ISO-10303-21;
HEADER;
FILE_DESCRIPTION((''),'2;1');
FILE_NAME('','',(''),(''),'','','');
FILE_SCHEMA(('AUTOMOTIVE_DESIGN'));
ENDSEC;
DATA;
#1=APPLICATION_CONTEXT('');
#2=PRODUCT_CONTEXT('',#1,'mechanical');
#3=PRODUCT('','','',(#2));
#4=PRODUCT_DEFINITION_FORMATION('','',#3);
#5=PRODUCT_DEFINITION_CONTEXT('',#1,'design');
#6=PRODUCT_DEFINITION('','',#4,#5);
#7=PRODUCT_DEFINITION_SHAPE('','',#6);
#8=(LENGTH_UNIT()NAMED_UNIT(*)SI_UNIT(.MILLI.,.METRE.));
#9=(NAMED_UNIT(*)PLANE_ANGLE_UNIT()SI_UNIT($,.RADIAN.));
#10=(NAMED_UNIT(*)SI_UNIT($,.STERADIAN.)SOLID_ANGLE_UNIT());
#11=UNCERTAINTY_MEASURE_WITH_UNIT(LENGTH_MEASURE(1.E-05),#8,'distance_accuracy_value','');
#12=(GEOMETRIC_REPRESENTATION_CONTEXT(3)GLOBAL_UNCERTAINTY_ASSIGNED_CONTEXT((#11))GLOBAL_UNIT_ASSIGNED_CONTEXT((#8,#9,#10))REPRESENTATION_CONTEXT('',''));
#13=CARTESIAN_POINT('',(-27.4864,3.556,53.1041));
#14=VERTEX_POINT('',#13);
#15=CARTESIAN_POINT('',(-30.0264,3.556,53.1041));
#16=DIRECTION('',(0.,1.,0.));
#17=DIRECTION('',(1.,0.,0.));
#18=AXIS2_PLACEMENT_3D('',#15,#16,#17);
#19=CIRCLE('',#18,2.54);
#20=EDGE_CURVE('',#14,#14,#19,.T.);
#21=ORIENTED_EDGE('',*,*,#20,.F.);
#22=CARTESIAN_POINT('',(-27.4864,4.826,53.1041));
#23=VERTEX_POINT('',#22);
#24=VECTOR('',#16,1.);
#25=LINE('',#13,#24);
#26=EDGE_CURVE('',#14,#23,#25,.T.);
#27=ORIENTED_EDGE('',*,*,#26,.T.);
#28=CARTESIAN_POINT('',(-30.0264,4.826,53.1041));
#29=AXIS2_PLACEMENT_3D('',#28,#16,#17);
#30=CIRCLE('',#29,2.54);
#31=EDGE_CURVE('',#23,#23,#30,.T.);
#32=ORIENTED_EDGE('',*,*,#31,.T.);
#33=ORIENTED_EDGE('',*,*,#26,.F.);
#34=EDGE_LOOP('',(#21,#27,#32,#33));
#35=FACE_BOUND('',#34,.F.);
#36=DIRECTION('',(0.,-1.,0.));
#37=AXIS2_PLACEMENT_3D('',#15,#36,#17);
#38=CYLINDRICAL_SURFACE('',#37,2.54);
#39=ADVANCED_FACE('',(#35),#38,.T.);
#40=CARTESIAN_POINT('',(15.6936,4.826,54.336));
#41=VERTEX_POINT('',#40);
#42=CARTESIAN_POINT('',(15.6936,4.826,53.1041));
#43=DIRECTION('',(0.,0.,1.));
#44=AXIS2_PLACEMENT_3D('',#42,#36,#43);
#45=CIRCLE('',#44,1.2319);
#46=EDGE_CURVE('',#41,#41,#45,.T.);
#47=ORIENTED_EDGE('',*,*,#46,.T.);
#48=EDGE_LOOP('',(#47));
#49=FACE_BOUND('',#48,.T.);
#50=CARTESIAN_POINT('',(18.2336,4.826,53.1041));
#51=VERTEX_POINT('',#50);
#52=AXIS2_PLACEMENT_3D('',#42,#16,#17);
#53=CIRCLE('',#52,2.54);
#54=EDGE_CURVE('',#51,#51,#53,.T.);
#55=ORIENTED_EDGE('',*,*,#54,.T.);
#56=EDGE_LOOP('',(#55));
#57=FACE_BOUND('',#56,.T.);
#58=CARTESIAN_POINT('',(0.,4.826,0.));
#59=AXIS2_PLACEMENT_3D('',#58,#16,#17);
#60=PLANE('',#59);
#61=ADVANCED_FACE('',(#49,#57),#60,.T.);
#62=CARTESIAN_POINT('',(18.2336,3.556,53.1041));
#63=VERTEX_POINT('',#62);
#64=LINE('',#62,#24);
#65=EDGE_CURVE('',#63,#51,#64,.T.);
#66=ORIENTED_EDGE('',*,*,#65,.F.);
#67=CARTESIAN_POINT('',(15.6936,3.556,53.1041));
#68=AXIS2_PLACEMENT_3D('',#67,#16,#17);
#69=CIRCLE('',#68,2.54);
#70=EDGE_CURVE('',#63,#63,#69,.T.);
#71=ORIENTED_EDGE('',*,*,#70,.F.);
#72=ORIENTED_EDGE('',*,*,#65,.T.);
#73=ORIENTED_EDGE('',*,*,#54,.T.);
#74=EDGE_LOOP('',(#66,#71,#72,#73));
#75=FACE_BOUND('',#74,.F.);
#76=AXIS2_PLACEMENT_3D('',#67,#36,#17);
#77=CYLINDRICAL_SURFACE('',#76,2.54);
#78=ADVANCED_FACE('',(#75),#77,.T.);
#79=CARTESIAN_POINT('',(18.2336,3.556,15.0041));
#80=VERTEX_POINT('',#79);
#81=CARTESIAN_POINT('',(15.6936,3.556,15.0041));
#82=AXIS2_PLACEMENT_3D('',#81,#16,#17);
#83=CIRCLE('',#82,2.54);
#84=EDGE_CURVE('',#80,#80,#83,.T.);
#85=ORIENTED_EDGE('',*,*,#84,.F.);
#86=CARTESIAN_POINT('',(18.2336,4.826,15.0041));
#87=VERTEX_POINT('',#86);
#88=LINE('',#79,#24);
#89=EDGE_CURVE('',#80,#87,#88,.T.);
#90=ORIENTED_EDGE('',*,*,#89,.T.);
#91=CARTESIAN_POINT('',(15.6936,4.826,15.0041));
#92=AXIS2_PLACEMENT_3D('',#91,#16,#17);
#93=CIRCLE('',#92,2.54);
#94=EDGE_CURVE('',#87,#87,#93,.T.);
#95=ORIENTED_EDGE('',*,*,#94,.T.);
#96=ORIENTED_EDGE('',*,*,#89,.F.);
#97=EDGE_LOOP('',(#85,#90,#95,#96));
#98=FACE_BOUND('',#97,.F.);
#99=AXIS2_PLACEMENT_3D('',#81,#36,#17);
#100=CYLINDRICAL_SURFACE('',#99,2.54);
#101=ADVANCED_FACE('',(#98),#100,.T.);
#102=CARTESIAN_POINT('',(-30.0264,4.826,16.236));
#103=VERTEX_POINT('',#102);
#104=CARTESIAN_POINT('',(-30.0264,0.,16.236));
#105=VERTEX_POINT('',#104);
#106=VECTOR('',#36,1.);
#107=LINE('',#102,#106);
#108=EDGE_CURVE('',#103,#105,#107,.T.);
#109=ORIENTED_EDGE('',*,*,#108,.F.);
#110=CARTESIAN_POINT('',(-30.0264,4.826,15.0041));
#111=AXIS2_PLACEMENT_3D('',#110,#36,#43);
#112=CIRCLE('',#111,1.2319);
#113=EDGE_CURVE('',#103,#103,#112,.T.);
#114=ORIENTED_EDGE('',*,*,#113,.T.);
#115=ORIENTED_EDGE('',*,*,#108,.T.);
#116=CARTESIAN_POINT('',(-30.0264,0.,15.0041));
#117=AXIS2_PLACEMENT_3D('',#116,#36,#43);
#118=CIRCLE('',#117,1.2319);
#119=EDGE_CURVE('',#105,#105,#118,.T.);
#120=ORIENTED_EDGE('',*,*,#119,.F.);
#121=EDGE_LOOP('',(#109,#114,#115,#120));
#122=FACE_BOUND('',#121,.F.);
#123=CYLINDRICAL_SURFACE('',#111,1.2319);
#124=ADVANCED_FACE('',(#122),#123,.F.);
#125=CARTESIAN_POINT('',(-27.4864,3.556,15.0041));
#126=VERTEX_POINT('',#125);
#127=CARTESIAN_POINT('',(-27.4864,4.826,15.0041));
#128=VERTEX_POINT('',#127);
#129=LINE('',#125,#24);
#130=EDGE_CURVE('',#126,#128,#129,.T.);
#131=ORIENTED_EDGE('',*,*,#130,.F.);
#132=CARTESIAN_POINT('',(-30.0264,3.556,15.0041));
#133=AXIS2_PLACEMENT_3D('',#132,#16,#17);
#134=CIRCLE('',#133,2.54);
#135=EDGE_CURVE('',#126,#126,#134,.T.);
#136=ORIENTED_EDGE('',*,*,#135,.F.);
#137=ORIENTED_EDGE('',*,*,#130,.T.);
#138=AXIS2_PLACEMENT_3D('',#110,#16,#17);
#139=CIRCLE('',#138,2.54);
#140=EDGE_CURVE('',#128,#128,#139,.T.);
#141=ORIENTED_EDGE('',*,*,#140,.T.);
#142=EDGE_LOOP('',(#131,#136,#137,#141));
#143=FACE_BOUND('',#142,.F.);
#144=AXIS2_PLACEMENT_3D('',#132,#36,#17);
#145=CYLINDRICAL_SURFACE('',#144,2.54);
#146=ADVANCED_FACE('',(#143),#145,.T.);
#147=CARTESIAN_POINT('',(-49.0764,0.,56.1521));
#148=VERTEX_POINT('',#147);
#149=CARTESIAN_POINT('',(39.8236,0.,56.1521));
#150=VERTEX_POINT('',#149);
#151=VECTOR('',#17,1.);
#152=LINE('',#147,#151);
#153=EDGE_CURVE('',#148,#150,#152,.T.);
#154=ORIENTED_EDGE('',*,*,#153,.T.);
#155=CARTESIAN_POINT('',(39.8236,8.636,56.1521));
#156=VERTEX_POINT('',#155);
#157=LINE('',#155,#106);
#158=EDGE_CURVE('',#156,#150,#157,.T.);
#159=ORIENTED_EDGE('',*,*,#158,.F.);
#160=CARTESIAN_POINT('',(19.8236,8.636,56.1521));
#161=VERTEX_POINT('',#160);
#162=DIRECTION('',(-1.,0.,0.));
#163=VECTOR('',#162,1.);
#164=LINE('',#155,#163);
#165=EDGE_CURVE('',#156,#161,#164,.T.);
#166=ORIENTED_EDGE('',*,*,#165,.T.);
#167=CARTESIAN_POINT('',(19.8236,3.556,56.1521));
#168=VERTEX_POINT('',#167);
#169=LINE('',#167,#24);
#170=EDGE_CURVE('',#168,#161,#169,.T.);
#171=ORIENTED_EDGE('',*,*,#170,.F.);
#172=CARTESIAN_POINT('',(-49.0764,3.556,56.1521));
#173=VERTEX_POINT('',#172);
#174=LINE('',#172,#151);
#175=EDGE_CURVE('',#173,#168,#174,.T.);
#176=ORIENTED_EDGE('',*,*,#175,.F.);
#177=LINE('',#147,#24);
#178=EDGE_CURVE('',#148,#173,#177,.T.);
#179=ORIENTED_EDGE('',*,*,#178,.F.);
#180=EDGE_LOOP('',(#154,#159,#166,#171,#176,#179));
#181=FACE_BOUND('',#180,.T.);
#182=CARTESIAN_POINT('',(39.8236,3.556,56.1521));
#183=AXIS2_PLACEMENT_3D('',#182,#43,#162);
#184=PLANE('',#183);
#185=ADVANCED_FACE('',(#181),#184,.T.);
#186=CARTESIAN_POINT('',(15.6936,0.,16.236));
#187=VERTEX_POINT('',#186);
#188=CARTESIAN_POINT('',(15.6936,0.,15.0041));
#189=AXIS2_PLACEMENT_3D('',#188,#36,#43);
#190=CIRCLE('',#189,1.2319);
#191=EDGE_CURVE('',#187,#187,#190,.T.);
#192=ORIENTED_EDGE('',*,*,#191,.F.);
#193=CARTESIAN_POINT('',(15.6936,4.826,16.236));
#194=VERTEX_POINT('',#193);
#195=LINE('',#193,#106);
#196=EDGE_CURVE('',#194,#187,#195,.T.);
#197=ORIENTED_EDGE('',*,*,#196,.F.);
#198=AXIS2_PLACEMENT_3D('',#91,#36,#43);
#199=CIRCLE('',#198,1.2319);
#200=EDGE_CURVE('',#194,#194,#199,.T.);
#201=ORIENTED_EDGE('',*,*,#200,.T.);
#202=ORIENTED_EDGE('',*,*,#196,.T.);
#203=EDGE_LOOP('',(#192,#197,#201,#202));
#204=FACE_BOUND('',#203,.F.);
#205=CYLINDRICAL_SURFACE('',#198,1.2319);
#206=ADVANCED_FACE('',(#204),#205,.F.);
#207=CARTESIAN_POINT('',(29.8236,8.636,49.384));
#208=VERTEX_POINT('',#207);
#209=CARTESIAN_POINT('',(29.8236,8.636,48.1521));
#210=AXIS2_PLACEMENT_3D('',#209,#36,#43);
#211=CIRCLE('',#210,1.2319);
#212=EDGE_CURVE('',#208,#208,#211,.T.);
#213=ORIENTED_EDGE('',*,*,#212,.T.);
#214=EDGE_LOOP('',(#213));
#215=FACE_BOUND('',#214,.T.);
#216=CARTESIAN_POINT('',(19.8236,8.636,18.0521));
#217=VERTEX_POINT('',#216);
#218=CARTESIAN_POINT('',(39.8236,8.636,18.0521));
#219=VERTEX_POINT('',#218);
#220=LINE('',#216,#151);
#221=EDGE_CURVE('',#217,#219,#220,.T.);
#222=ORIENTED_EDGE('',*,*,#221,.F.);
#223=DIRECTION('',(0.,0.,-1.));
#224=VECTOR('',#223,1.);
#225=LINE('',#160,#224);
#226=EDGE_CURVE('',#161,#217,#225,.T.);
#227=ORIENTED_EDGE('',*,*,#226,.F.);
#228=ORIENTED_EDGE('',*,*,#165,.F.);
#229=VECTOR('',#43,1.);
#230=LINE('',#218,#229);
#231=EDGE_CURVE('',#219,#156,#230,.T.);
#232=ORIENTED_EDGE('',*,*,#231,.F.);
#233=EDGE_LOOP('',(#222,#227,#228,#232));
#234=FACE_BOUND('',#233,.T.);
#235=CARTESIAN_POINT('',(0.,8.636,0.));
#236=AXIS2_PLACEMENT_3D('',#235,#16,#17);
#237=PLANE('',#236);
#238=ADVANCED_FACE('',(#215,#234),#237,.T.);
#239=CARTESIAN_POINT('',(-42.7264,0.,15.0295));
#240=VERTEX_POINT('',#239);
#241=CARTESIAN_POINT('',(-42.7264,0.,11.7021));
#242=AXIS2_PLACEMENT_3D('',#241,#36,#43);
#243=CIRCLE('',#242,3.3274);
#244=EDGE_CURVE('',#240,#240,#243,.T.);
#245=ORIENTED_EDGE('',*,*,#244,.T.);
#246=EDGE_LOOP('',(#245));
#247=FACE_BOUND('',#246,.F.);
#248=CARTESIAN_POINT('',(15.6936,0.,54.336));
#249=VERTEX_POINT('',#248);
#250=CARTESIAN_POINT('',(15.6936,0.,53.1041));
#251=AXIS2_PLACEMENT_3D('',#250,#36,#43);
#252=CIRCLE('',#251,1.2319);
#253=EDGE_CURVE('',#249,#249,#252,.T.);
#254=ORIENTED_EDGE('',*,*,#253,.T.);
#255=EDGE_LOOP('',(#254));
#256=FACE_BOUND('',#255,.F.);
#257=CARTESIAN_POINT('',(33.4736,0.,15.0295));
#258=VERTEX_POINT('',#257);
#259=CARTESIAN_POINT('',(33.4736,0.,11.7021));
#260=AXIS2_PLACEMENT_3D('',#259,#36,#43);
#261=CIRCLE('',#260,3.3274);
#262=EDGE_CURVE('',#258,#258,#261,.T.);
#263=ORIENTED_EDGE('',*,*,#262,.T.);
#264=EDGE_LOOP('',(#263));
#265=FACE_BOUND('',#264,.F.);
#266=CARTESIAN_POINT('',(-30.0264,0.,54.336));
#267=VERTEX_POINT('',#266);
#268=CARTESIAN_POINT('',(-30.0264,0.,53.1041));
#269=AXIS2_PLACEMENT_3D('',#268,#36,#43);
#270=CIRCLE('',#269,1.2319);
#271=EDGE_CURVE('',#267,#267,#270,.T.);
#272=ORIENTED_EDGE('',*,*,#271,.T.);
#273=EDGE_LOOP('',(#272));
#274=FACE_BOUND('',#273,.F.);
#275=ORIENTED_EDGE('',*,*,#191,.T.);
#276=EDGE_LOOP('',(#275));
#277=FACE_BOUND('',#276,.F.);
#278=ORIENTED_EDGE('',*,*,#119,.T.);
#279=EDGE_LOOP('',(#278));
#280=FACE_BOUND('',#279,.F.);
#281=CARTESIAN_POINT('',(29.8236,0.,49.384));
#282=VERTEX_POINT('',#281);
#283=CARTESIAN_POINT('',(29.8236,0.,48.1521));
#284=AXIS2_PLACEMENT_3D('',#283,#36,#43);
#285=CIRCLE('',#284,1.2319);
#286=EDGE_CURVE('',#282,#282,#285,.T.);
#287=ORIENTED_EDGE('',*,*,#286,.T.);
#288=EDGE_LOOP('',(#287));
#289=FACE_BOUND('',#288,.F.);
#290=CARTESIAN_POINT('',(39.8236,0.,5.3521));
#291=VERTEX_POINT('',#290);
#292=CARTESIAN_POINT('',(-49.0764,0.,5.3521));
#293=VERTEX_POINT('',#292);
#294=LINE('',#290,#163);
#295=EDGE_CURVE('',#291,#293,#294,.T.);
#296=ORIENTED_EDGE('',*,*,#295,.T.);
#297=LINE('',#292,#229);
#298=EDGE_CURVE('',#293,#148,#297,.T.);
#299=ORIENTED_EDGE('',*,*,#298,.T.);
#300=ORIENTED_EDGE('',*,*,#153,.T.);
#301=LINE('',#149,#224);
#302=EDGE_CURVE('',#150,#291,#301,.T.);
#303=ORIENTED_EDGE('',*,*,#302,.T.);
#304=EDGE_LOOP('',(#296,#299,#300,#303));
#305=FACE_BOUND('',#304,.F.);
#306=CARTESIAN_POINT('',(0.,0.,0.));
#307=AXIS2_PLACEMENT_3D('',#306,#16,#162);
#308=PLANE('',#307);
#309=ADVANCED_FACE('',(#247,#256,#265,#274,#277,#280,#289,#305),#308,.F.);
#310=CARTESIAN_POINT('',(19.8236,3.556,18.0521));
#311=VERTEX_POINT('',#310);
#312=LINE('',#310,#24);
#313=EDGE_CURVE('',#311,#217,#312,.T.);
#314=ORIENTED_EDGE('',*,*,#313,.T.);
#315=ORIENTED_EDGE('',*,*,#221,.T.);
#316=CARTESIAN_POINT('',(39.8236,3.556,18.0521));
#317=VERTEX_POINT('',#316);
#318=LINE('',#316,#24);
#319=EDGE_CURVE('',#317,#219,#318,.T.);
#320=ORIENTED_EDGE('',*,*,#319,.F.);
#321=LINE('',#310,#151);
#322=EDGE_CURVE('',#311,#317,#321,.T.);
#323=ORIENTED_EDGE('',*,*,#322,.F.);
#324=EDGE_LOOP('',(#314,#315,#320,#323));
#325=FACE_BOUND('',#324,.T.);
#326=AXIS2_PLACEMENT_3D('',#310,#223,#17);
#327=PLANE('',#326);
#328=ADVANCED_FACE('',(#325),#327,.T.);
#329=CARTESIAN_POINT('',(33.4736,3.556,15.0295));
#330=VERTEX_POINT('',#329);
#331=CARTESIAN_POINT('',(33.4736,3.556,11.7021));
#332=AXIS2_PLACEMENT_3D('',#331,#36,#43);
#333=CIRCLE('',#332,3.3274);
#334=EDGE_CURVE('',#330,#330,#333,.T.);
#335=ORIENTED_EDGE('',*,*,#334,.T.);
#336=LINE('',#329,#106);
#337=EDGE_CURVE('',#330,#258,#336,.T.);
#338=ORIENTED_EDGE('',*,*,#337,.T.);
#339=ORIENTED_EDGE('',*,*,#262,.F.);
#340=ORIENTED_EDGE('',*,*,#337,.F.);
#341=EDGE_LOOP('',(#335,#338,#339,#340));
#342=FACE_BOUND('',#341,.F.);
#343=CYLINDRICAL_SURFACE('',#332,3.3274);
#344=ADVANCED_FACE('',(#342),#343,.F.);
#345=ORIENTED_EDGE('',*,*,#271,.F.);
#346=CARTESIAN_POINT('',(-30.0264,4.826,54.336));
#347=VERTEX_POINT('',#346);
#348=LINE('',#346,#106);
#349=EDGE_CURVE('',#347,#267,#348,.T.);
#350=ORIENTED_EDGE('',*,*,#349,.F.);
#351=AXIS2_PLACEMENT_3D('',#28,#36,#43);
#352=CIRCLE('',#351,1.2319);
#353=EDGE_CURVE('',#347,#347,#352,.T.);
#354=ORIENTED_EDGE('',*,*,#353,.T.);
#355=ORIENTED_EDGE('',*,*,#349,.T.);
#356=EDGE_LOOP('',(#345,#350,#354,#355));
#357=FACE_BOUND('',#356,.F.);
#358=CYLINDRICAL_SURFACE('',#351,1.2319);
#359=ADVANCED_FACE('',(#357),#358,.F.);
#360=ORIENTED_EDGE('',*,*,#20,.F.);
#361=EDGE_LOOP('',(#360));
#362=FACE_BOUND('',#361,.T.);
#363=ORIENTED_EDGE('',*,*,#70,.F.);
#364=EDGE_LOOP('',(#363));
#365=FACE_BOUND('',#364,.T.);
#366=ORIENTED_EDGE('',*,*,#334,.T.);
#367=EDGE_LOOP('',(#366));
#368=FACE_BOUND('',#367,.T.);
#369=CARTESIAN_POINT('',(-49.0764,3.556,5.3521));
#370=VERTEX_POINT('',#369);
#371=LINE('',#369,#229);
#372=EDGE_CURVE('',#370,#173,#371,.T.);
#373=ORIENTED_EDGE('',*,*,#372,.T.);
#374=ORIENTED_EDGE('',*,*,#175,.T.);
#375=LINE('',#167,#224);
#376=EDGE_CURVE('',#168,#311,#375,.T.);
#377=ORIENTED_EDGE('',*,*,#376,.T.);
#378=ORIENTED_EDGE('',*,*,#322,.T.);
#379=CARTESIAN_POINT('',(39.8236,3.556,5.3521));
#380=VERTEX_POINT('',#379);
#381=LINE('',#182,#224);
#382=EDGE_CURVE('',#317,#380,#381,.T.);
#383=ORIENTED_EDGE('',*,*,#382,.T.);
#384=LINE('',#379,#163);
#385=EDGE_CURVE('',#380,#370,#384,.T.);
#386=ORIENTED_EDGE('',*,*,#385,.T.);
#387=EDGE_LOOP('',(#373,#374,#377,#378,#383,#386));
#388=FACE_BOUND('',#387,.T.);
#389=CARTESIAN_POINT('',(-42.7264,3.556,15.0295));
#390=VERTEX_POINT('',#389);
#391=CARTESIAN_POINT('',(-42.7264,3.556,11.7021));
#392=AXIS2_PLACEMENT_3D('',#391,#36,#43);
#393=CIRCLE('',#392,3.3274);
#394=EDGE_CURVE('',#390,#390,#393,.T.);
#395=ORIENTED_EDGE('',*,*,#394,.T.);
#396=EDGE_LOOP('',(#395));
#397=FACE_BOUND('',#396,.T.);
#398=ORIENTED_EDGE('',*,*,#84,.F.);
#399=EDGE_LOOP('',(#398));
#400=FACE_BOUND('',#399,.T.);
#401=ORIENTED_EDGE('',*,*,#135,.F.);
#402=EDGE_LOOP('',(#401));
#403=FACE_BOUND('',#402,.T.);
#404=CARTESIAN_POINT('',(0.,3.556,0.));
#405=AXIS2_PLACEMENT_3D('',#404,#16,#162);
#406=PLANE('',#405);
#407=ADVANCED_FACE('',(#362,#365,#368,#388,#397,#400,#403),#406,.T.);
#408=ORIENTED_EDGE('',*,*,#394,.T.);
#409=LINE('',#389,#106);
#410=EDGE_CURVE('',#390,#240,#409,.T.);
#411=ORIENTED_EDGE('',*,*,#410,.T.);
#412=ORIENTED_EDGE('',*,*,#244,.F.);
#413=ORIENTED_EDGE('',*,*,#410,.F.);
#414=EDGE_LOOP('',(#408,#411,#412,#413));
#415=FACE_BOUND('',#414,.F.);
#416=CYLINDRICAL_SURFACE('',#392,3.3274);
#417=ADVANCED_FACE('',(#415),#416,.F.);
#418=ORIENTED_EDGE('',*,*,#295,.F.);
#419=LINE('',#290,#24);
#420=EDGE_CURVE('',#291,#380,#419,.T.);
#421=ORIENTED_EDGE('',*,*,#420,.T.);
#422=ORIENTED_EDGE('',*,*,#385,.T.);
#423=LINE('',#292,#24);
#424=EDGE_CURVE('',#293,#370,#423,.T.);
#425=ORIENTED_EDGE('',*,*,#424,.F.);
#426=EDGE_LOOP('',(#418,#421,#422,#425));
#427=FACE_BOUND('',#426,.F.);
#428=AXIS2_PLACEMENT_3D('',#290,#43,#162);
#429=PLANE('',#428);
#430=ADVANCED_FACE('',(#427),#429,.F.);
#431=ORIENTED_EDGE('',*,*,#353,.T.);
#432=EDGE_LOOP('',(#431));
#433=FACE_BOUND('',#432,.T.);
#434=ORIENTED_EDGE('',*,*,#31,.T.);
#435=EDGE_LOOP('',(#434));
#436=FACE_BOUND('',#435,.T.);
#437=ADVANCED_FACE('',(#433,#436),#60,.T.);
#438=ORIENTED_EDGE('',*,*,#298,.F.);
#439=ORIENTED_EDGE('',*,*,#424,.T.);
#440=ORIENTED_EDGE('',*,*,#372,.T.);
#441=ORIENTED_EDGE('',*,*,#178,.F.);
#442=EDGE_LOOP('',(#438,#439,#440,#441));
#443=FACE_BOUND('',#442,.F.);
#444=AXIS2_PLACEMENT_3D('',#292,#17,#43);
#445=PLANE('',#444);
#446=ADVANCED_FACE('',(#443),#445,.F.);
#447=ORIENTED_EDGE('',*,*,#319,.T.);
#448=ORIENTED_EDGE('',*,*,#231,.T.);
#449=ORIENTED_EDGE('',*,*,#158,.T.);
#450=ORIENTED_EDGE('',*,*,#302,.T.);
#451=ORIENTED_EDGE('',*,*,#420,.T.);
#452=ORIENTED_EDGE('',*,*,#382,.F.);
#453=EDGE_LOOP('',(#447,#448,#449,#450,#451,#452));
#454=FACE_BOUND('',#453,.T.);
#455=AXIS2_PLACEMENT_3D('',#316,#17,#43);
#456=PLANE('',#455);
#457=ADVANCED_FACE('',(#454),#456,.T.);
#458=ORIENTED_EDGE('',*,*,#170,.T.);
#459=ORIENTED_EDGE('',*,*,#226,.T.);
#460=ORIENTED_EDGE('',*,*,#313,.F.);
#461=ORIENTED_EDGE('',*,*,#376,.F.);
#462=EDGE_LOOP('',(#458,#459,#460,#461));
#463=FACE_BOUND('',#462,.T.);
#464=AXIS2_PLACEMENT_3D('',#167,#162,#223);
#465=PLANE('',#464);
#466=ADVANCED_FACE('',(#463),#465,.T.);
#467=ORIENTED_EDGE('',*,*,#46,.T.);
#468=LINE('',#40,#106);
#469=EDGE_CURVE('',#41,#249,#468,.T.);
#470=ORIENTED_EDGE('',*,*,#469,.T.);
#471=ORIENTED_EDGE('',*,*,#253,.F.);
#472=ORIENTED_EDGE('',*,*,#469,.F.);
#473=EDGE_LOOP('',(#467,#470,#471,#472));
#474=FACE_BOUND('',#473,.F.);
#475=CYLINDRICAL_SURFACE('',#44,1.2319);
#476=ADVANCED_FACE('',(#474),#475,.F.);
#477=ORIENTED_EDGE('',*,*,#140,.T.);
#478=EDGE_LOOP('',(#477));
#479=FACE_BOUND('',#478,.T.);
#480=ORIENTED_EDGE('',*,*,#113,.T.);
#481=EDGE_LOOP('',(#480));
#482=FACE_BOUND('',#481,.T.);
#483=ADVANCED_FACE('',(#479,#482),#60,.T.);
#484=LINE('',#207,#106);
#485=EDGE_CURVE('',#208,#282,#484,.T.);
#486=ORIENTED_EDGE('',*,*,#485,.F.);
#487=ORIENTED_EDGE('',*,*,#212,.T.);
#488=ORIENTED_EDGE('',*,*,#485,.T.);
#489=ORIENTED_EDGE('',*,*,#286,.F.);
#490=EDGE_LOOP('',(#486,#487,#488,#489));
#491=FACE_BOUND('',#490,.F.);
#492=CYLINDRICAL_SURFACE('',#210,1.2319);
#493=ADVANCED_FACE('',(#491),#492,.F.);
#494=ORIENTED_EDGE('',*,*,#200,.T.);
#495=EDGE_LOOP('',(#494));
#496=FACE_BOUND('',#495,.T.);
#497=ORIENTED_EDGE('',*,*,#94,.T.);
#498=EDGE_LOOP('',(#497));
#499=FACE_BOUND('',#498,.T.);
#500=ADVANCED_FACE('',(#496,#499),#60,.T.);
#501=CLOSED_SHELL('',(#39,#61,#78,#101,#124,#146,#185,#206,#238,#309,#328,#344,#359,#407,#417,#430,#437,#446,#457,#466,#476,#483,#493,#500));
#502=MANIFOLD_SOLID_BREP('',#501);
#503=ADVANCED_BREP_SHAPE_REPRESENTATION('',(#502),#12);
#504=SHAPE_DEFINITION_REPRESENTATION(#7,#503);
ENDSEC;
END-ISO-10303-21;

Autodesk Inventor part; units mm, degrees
ref_plane "YZ Plane" through (0, 0, 0) normal (1, 0, 0) x (0, 1, 0)
ref_plane "XZ Plane" through (0, 0, 0) normal (0, 1, 0) x (-1, 0, 0)
ref_plane "XY Plane" through (0, 0, 0) normal (0, 0, 1) x (1, 0, 0)
sketch "Sketch1" plane through (0, 0, 0) normal (0, 1, 0) x (-1, 0, 0)
  line L0 (49.0764, 56.1521) -> (-39.8236, 56.1521)
  line L1 (-39.8236, 56.1521) -> (-39.8236, 5.3521)
  line L2 (-39.8236, 5.3521) -> (49.0764, 5.3521)
  line L3 (49.0764, 5.3521) -> (49.0764, 56.1521)
  point P0 (0, 0)
  dimension "d0" = 88.9
  dimension "d1" = 50.8
extrude "Extrusion1" add sketch "Sketch1" along normal blind 3.556
sketch "Sketch2" plane through (0, 3.556, 0) normal (0, 1, 0) x (1, 0, 0)
  line L0 (39.8236, -56.1521) -> (39.8236, -5.3521) projected
  line L1 (39.8236, -5.3521) -> (-49.0764, -5.3521) projected
  point P0 (0, 0)
  point P1 (-42.7264, -11.7021)
  point P2 (33.4736, -11.7021)
  dimension "d4" = 76.2
  dimension "d5" = 0
  dimension "d6" = 6.35
  dimension "d7" = 6.35
hole "Hole1" at (-42.7264, 3.556, 11.7021) at (33.4736, 3.556, 11.7021) direction (0, -1, 0) diameter 6.6548 end through all
sketch "Sketch3" plane through (0, 3.556, 0) normal (0, 1, 0) x (1, 0, 0)
  circle A0 centre (-30.0264, -53.1041) radius 2.54
  circle A1 centre (-30.0264, -15.0041) radius 2.54
  line L0 (-49.0764, -56.1521) -> (39.8236, -56.1521) projected
  line L1 (-49.0764, -5.3521) -> (-49.0764, -56.1521) projected
  circle A2 centre (15.6936, -53.1041) radius 2.54
  circle A3 centre (15.6936, -15.0041) radius 2.54
  point P0 (0, 0)
  dimension "d15" = 5.08
  dimension "d16" = 5.08
  dimension "d17" = 3.048
  dimension "d18" = 38.1
  dimension "d19" = 0
  dimension "d20" = 19.05
  dimension "d21" = 5.08
  dimension "d22" = 0
  dimension "d23" = 45.72
  dimension "d24" = 5.08
  dimension "d25" = 0
  dimension "d26" = 0
extrude "Extrusion2" add sketch "Sketch3" along normal blind 1.27
sketch "Sketch4" plane through (-30.0264, 4.826, 15.0041) normal (0, 1, 0) x (1, 0, 0)
  circle A0 centre (0, 0) radius 2.54 projected
  circle A1 centre (0, -38.1) radius 2.54 projected
  circle A2 centre (45.72, -38.1) radius 2.54 projected
  circle A3 centre (45.72, 0) radius 2.54 projected
  circle A4 centre (45.72, 0) radius 2.54 projected
  circle A5 centre (45.72, -38.1) radius 2.54 projected
  point P0 (30.0264, 15.0041)
  point P1 (45.72, 0)
hole "Hole2" at (-30.0264, 4.826, 53.1041) at (-30.0264, 4.826, 15.0041) at (15.6936, 4.826, 15.0041) at (15.6936, 4.826, 53.1041) direction (0, -1, 0) diameter 2.4638 end through all
sketch "Sketch5" plane through (0, 3.556, 0) normal (0, 1, 0) x (1, 0, 0)
  line L0 (19.8236, -18.0521) -> (39.8236, -18.0521)
  line L1 (39.8236, -18.0521) -> (39.8236, -56.1521)
  line L2 (39.8236, -56.1521) -> (19.8236, -56.1521)
  line L3 (19.8236, -56.1521) -> (19.8236, -18.0521)
  line L4 (39.8236, -56.1521) -> (39.8236, -5.3521) projected
  line L5 (-49.0764, -56.1521) -> (39.8236, -56.1521) projected
  line L6 (39.8236, -5.3521) -> (-49.0764, -5.3521) projected
  point P0 (0, 0)
  dimension "d36" = 0
  dimension "d37" = 20
  dimension "d38" = 0
  dimension "d40" = 12.7
extrude "Extrusion3" add sketch "Sketch5" along normal blind 5.08
sketch "Sketch6" plane through (0, 8.636, 0) normal (0, 1, 0) x (1, 0, 0)
  line L0 (19.8236, -56.1521) -> (39.8236, -56.1521) projected
  line L1 (39.8236, -56.1521) -> (39.8236, -18.0521) projected
  point P0 (0, 0)
  point P1 (29.8236, -48.1521)
  dimension "d43" = 8
  dimension "d44" = 10
hole "Hole3" at (29.8236, 8.636, 48.1521) direction (0, -1, 0) diameter 2.4638 end through all
properties part number "SF GPS"
